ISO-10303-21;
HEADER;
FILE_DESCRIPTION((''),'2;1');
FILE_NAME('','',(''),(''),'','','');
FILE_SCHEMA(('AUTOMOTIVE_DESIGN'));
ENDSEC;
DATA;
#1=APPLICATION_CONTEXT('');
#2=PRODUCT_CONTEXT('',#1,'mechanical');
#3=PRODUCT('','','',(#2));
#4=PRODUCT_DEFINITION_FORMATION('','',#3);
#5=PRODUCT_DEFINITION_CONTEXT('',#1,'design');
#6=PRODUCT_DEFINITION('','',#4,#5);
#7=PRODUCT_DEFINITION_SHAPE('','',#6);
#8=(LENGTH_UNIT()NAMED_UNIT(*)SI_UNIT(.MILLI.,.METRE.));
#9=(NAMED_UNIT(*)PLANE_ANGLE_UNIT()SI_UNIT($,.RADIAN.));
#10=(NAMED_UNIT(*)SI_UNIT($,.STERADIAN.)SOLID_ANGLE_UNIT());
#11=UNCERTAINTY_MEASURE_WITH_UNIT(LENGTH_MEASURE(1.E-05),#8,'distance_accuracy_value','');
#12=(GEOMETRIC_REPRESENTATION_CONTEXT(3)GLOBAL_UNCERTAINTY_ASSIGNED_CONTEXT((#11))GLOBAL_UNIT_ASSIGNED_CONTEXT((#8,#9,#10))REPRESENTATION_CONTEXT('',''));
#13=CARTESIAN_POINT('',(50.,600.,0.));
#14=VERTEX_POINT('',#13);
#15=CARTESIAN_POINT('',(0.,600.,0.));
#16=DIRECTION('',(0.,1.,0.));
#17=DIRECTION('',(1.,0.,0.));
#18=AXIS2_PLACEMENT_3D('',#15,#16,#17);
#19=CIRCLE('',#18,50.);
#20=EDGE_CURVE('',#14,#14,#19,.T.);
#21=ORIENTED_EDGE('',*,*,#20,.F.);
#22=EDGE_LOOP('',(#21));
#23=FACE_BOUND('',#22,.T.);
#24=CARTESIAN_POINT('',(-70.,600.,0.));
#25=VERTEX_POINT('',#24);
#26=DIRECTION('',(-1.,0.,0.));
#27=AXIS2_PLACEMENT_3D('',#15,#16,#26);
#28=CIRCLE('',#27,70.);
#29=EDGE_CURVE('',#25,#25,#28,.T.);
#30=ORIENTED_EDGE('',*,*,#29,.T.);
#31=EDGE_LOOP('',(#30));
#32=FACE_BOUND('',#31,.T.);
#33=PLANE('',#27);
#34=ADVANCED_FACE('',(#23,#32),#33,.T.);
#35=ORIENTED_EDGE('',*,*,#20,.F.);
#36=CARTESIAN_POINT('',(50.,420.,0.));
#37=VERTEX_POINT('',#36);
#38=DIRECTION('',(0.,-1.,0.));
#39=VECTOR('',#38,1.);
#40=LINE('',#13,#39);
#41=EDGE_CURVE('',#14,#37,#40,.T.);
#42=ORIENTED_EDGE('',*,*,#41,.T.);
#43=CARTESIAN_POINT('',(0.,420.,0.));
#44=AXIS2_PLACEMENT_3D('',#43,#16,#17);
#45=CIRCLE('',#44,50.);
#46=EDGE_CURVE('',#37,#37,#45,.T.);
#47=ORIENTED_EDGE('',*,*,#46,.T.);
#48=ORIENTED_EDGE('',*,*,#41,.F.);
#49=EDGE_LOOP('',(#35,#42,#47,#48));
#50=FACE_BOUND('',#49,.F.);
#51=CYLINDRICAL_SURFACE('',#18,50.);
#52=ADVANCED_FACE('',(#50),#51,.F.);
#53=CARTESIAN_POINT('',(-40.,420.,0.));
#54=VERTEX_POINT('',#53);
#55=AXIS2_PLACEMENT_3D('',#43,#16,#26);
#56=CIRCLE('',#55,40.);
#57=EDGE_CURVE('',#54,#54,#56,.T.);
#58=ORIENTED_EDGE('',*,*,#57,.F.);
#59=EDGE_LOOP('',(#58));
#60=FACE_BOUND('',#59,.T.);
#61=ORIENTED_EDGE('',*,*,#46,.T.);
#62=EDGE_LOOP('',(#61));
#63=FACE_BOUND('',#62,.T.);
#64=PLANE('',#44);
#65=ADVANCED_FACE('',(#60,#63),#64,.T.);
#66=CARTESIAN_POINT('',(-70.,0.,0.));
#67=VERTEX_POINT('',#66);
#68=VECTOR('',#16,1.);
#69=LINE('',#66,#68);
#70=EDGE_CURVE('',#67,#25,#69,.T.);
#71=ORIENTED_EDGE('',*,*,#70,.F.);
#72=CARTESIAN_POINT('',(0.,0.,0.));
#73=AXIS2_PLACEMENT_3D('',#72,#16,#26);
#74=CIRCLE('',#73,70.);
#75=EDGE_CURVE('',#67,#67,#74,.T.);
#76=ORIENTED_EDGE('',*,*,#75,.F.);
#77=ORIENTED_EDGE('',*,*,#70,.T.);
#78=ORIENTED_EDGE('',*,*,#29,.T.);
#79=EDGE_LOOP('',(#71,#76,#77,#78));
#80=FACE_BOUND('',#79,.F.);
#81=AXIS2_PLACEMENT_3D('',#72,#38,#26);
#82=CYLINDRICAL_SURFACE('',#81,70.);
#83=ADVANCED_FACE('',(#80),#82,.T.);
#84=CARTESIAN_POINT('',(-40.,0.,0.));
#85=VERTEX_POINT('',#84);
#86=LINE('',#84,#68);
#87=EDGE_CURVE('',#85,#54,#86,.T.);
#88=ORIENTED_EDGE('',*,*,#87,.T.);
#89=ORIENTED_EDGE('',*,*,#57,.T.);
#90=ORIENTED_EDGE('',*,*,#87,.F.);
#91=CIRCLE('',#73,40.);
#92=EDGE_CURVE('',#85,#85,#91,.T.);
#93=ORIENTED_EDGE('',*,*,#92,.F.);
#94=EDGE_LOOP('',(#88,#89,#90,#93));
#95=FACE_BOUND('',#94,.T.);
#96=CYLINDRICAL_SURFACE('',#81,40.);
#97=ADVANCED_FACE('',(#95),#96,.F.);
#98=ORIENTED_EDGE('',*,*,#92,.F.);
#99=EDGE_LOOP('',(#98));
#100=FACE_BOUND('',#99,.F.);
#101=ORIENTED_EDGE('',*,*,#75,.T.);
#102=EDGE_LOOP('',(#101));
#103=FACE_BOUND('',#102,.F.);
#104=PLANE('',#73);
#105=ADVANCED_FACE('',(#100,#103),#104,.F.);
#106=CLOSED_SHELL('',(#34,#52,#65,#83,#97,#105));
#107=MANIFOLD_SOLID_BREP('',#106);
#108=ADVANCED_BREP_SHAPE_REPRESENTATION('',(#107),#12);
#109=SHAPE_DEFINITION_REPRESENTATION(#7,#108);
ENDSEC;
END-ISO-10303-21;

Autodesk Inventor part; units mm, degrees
sketch "Sketch1" plane through (0, 0, 0) normal (0, 1, 0) x (-1, 0, 0)
  circle A0 centre (0, 0) radius 40
  circle A1 centre (0, 0) radius 70
  dimension "d0" = 80
  dimension "d1" = 140
extrude "Extrusion1" add sketch "Sketch1" along normal blind 600
ref_plane "Work Plane1" through (0, 600, 0) normal (0, 1, 0) x (1, 0, 0)
sketch "Sketch3" plane through (0, 600, 0) normal (0, 1, 0) x (1, 0, 0)
  circle A0 centre (0, 0) radius 50
  circle A1 centre (0, 0) radius 40
  dimension "d5" = 100
  dimension "d6" = 80
extrude "Extrusion2" cut sketch "Sketch3" against normal blind 180
properties part number "Z4" material "Steel, Alloy"
